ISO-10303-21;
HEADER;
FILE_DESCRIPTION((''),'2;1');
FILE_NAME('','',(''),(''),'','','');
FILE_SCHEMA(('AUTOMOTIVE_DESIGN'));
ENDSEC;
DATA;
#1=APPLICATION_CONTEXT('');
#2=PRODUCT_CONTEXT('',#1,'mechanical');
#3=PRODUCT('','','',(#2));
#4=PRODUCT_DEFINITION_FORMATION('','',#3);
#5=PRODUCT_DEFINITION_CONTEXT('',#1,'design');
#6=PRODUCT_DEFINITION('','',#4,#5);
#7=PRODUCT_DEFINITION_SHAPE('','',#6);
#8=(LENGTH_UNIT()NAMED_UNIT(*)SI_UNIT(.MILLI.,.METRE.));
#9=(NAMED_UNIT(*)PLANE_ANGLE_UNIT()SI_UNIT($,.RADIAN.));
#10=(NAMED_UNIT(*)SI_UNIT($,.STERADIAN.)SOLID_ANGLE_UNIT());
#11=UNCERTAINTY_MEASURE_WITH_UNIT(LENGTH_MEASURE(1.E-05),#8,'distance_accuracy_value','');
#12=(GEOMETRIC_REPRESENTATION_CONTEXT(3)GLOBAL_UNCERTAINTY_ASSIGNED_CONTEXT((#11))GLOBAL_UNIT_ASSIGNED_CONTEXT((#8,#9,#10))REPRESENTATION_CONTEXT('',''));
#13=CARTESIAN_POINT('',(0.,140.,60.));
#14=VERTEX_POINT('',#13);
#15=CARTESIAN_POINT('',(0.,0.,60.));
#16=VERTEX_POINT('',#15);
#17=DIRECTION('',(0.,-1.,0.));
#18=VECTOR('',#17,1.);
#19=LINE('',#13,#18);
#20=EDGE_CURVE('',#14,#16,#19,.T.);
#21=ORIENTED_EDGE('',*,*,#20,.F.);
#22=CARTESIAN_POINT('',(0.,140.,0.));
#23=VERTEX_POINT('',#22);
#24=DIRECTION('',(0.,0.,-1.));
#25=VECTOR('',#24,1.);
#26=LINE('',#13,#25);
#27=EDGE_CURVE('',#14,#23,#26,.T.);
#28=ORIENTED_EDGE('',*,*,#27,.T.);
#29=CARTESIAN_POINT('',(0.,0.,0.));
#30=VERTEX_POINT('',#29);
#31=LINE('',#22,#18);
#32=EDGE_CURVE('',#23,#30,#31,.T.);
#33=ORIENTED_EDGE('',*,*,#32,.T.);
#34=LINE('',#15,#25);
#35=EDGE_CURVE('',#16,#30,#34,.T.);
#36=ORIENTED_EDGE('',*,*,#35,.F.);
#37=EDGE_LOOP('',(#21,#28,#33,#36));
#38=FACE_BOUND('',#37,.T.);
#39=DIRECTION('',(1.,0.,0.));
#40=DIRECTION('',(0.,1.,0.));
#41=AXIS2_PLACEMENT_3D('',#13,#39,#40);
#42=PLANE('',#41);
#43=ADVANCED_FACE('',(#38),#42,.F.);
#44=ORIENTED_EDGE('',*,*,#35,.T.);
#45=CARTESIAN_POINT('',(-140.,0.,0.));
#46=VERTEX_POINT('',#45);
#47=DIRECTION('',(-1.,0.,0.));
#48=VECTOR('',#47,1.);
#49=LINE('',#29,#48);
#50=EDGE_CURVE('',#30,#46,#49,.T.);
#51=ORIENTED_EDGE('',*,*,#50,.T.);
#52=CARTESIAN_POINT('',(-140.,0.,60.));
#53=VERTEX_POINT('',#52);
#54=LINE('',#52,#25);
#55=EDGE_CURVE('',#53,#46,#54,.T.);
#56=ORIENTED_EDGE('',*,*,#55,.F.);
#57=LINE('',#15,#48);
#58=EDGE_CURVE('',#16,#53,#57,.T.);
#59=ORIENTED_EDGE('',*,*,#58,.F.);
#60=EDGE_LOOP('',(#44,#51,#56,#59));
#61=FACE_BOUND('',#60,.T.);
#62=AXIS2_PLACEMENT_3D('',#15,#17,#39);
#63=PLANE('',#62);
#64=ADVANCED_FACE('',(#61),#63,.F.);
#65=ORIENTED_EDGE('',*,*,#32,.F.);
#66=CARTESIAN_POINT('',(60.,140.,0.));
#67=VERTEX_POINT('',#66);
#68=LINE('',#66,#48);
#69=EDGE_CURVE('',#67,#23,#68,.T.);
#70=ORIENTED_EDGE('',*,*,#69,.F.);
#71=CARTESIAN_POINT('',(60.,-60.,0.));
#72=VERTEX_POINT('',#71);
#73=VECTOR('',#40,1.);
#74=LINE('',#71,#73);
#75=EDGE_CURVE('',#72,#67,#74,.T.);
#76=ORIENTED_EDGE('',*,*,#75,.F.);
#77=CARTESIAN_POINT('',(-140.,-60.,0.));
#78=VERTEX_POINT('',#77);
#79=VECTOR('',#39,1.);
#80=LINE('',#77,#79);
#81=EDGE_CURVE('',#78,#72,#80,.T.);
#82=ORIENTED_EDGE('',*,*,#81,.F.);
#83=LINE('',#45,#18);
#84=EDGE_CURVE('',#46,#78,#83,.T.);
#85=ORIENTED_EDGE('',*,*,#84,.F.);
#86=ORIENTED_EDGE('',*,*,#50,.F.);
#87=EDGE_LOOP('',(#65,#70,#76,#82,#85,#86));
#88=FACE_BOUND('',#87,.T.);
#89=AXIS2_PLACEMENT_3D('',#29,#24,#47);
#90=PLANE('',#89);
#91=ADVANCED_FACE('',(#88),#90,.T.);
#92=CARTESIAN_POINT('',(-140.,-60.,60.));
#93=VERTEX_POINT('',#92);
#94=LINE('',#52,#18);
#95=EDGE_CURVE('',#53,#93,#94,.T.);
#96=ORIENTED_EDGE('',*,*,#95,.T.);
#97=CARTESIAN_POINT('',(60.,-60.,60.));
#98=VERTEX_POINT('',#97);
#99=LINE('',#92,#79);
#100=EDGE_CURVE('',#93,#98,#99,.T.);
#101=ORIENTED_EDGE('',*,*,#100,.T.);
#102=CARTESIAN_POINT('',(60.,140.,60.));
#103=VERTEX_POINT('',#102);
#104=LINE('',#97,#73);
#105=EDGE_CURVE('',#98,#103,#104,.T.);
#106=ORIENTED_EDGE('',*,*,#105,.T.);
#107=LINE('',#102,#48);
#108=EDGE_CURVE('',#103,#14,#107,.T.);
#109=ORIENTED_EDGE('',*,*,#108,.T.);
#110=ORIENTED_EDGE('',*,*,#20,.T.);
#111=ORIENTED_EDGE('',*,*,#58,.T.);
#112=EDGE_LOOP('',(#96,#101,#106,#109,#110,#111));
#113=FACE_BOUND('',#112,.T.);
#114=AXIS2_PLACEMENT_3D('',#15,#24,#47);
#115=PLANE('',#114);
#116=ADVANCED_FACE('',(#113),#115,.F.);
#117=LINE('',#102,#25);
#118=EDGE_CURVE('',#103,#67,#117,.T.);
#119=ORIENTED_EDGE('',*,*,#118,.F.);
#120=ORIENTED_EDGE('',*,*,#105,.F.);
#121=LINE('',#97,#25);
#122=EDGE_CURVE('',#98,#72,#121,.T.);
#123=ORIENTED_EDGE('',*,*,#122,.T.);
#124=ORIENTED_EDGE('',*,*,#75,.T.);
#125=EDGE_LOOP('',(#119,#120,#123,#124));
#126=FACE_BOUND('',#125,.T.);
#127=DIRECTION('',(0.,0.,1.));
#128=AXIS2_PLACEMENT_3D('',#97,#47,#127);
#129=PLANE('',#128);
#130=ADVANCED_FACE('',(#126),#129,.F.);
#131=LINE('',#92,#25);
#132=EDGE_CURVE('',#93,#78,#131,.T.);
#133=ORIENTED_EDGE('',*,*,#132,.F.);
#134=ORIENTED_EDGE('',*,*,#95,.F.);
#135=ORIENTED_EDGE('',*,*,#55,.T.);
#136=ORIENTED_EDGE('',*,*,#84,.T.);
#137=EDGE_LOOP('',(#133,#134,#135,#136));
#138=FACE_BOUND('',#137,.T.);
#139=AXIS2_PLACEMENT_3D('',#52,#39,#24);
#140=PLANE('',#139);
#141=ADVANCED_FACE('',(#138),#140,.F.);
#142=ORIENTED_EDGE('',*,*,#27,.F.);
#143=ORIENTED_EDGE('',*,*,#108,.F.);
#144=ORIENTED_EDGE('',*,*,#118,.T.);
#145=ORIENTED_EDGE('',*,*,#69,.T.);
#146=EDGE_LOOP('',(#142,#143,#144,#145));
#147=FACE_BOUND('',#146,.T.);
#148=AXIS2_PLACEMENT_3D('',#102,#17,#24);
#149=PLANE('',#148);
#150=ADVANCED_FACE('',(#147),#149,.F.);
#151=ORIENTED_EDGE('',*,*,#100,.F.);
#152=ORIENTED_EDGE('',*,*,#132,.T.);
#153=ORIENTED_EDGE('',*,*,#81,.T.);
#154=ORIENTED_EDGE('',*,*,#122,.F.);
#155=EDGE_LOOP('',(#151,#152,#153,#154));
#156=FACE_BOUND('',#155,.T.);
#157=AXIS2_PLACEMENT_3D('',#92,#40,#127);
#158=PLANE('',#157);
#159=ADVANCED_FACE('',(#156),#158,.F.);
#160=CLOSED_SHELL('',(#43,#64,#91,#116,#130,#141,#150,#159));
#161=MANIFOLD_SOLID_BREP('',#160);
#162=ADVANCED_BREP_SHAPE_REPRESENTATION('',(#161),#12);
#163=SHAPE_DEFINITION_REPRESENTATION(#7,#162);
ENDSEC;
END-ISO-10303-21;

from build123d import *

# Parameters (mm, degrees)
BOSS_EXTRUDE1_DEPTH = 60


with BuildPart() as part:
    # Sketch2 → Boss-Extrude1 (new body)
    with BuildSketch(Plane.XY):
        Polygon((0, 0), (-140, 0), (-140, -60), (60, -60), (60, 140), (0, 140), align=None)
    extrude(amount=BOSS_EXTRUDE1_DEPTH)


solid = part.part
